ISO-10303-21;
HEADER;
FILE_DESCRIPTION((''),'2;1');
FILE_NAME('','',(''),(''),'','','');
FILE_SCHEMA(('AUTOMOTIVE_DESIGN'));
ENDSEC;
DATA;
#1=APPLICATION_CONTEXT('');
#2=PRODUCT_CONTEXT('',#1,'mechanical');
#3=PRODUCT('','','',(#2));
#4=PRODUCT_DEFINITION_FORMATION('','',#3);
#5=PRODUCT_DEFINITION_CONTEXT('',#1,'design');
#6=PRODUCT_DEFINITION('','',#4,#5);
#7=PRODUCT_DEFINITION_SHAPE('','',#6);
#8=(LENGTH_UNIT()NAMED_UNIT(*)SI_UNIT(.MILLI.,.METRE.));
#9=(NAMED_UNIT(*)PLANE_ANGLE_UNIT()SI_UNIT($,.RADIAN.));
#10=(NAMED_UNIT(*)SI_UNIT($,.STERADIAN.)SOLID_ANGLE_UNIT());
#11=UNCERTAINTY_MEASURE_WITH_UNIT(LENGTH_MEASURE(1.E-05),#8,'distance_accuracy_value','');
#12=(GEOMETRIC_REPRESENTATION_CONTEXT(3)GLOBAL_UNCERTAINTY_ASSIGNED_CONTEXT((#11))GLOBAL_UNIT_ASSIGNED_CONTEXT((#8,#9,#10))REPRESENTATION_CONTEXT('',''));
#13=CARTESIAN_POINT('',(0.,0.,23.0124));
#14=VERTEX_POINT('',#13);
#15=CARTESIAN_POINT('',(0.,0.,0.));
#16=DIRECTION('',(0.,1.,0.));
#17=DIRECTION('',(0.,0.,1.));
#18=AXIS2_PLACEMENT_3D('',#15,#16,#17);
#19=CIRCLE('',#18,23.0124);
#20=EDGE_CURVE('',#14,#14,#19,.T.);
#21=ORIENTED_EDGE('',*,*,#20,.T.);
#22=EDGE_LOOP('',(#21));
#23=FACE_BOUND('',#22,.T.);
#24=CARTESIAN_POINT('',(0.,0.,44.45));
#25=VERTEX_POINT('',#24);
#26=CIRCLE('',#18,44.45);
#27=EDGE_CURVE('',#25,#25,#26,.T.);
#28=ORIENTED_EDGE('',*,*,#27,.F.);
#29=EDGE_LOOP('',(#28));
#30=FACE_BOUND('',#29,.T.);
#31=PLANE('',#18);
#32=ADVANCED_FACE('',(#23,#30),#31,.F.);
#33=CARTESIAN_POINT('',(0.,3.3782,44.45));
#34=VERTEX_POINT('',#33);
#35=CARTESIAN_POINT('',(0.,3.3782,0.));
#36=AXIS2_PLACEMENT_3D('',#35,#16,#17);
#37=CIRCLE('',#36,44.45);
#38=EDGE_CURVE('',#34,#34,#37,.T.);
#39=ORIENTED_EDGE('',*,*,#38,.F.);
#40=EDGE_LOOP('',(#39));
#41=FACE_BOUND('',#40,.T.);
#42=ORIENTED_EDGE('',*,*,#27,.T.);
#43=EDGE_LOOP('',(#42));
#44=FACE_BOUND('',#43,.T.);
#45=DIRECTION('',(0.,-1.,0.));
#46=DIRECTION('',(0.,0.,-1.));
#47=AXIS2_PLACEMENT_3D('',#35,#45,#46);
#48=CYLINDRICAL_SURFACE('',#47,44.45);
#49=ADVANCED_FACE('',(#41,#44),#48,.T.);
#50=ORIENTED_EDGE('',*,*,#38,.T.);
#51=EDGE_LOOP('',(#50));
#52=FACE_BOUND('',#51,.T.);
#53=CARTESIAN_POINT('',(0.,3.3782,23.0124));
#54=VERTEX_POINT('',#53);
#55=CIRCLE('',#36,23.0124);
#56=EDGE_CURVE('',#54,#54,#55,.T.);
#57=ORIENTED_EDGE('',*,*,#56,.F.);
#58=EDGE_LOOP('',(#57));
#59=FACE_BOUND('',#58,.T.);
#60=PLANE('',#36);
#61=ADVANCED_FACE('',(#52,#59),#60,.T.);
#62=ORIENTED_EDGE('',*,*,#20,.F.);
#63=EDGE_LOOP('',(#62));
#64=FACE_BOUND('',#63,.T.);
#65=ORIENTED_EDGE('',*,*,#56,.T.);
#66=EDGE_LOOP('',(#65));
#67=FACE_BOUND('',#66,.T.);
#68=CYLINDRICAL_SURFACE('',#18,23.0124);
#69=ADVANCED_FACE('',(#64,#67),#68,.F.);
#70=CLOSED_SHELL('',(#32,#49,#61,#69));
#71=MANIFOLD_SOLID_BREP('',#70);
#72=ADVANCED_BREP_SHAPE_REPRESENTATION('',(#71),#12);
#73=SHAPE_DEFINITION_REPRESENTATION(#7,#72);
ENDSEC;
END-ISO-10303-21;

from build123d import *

# Parameters (mm, degrees)
SKETCH1_R           = 44.45
BOSS_EXTRUDE1_DEPTH = 3.3782
SKETCH5_R           = 23.0124
CUT_EXTRUDE1_DEPTH  = 4.3782


with BuildPart() as part:
    # Sketch1 → Boss-Extrude1 (new body)
    with BuildSketch(Plane(origin=(0, 0, 0), x_dir=(1, 0, 0), z_dir=(0, 1, 0))):
        Circle(SKETCH1_R)
    extrude(amount=BOSS_EXTRUDE1_DEPTH)

    # Sketch5 → Cut-Extrude1 (cut, through all)
    with BuildSketch(Plane(origin=(0, 3.3782, 0), x_dir=(-1, 0, 0), z_dir=(0, 1, 0))):
        Circle(SKETCH5_R)
    extrude(amount=-CUT_EXTRUDE1_DEPTH, mode=Mode.SUBTRACT)


solid = part.part
